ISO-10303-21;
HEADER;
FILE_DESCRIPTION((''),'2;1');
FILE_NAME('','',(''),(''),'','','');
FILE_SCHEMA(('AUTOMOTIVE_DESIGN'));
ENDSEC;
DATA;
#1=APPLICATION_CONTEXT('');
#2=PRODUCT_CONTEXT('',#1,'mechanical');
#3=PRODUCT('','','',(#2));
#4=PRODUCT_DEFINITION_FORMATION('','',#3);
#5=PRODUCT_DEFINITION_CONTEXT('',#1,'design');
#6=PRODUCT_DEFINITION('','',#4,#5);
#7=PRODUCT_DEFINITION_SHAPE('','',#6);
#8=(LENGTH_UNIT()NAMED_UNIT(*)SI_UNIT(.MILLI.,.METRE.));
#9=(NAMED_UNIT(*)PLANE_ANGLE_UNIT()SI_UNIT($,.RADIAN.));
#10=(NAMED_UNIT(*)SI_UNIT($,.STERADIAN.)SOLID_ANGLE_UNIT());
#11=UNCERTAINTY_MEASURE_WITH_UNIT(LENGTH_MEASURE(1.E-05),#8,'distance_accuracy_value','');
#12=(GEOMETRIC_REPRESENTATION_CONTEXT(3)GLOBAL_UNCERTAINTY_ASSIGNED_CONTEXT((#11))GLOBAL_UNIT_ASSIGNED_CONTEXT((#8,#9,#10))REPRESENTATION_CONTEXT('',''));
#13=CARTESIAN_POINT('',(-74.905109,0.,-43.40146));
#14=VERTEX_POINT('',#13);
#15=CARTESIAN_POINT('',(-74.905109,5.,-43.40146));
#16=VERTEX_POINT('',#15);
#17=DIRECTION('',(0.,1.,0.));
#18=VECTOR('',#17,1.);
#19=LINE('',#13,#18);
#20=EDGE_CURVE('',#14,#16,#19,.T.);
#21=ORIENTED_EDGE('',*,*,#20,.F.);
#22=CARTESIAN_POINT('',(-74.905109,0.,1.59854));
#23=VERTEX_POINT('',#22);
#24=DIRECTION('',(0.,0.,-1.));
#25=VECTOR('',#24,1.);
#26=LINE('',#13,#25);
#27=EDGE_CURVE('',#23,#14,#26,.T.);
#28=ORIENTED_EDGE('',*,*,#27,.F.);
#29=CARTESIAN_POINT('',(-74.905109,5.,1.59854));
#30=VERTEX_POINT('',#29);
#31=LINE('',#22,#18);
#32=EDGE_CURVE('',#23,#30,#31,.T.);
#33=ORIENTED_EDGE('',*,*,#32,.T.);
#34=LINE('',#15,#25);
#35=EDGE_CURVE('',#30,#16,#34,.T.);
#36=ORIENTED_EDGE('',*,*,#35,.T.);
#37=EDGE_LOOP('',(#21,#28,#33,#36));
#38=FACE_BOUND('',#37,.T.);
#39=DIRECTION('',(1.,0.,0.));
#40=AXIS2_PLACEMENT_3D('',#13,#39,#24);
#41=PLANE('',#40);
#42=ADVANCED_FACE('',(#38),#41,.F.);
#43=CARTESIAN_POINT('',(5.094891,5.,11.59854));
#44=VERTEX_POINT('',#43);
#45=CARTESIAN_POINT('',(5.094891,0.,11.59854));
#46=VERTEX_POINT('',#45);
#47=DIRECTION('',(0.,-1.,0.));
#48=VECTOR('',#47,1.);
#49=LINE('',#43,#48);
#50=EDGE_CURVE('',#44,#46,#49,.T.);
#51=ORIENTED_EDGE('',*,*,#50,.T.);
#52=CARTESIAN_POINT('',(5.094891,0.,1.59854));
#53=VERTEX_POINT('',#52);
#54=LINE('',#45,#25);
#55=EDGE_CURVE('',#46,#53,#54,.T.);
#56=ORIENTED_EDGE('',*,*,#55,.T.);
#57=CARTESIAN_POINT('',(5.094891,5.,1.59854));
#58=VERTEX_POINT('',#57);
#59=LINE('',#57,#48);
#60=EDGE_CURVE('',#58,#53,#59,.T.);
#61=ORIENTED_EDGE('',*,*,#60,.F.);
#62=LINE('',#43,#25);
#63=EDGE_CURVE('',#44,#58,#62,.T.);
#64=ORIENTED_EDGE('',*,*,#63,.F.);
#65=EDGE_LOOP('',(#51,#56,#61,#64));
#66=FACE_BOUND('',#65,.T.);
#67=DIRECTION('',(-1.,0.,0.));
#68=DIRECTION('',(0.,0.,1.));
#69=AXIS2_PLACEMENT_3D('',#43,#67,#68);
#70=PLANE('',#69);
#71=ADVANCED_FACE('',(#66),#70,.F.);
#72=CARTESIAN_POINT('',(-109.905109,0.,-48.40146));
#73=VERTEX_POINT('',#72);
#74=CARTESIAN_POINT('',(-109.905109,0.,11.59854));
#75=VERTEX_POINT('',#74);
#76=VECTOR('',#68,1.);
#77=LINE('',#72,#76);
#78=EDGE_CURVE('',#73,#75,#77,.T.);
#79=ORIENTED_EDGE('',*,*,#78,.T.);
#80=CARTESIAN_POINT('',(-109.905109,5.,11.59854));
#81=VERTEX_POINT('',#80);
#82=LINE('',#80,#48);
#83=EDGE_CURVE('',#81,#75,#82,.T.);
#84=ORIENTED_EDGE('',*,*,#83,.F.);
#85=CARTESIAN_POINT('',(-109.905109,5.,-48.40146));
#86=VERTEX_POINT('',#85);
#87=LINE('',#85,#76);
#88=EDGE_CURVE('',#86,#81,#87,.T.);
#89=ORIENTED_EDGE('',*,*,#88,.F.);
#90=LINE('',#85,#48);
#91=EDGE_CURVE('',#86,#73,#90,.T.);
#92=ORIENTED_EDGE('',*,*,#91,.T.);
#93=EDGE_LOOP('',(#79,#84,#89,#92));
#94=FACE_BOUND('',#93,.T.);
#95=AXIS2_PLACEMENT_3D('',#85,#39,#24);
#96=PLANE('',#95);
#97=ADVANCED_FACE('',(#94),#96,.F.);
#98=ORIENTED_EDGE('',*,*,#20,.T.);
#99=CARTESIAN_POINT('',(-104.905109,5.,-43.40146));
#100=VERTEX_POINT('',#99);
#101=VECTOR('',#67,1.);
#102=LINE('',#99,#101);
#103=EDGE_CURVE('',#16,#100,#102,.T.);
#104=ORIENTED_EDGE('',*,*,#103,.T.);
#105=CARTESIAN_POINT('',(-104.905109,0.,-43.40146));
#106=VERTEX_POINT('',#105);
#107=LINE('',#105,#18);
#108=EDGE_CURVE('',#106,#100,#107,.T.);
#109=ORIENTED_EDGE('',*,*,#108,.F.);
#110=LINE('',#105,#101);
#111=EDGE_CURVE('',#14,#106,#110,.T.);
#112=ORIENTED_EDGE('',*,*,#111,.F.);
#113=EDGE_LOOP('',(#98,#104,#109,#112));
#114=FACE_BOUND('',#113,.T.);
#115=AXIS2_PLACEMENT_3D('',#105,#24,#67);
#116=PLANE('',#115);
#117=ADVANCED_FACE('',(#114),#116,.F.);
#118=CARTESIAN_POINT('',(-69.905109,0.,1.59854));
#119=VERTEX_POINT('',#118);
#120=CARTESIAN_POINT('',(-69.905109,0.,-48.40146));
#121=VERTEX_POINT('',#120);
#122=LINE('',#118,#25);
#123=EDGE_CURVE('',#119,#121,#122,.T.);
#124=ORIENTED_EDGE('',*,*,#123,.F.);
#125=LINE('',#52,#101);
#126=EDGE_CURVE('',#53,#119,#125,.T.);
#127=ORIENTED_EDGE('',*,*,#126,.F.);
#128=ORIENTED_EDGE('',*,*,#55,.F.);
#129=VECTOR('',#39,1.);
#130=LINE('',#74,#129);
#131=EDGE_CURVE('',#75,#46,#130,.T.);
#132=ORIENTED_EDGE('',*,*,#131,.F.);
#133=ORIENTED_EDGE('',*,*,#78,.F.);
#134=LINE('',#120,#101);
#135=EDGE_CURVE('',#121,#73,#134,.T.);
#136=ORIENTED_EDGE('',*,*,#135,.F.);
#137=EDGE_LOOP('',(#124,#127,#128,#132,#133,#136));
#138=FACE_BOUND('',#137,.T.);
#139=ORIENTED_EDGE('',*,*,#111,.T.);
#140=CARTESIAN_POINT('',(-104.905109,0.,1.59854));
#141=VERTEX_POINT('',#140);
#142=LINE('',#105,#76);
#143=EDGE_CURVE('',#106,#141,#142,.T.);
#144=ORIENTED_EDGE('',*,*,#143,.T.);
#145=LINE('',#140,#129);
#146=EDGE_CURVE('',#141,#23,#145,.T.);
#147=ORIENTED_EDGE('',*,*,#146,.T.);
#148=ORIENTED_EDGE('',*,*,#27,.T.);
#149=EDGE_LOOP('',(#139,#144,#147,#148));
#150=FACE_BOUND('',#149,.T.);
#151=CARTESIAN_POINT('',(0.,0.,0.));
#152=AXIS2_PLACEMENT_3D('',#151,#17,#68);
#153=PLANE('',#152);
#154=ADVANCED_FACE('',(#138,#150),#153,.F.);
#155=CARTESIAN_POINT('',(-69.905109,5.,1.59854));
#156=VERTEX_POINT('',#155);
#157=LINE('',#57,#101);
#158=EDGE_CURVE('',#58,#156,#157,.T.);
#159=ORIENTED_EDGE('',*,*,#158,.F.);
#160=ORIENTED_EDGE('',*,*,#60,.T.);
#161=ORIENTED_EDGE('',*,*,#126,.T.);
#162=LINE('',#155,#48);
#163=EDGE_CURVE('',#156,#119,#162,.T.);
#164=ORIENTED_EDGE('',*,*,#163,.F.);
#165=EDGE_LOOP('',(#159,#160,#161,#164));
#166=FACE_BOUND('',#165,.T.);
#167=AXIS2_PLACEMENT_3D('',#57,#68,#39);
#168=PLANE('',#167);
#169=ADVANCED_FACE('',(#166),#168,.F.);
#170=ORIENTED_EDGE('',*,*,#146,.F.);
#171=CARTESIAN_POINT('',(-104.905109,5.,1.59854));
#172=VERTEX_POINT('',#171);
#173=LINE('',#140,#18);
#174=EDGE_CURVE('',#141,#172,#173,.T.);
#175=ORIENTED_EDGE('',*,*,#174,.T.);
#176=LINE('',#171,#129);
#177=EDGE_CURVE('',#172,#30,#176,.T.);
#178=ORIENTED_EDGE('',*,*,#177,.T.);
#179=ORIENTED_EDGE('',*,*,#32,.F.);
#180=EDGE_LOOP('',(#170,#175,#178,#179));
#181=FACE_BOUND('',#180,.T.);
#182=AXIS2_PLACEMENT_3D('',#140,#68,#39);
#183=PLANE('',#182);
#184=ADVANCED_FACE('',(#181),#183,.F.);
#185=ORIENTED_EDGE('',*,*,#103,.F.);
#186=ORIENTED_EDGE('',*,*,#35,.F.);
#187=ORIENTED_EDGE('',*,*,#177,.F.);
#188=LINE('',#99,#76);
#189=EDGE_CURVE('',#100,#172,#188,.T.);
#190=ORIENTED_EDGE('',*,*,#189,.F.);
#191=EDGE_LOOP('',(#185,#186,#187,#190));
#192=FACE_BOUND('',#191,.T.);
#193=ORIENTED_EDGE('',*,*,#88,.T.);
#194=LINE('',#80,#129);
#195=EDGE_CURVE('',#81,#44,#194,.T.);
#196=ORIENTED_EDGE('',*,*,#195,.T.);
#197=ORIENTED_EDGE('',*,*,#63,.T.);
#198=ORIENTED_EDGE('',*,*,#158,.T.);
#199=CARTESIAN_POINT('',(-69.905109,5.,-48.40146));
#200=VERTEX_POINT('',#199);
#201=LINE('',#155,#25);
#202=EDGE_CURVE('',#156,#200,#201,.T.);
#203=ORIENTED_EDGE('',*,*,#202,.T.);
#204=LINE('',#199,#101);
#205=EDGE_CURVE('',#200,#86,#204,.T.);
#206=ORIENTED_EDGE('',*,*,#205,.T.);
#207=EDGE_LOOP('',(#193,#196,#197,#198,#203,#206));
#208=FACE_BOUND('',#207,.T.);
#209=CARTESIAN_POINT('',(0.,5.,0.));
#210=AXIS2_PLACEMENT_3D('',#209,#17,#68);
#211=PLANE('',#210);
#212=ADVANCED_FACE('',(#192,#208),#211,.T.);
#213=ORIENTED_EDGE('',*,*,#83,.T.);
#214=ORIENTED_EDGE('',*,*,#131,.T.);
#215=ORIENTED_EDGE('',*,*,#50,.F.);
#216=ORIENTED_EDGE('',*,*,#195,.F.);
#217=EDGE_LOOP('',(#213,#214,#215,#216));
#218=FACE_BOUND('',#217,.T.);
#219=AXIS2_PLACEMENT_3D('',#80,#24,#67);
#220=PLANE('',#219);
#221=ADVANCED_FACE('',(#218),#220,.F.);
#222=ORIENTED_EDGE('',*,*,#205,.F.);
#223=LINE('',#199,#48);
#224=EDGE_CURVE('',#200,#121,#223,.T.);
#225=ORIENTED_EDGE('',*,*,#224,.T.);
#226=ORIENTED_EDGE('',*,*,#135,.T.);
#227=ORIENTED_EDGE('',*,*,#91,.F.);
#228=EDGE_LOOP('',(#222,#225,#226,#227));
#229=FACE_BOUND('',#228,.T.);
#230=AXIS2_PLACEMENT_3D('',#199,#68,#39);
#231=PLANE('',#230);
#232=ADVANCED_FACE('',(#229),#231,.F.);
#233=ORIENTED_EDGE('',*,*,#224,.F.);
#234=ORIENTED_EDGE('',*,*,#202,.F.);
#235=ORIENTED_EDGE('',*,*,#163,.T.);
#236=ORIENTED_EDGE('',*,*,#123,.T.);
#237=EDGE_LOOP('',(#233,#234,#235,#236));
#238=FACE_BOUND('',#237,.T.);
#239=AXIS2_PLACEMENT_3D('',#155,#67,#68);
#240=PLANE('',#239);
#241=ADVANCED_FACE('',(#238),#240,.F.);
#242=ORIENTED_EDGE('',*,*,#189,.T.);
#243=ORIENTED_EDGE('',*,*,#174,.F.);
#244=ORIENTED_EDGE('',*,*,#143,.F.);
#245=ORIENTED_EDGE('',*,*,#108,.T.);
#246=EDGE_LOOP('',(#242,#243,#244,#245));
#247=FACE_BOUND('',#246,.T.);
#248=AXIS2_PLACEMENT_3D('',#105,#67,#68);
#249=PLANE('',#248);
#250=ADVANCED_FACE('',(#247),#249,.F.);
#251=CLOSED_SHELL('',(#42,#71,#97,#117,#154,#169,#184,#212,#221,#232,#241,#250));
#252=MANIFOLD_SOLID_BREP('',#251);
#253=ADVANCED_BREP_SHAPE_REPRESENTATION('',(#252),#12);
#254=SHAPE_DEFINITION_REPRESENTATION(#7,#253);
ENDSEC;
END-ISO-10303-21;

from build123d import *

# Parameters (mm, degrees)
BOSS_EXTRU_1_DEPTH      = 5
ESQUISSE7_W             = 30
ESQUISSE7_H             = 45
ENL_V_MAT_EXTRU_2_DEPTH = 121.194984953


with BuildPart() as part:
    # Esquisse1 → Boss.-Extru.1 (new body)
    with BuildSketch(Plane(origin=(0, 0, 0), x_dir=(1, 0, 0), z_dir=(0, 1, 0))):
        Polygon((-109.905109489, 48.401459854), (-109.905109489, -11.598540146), (5.094890511, -11.598540146), (5.094890511, -1.598540146), (-69.905109489, -1.598540146), (-69.905109489, 48.401459854), align=None)
    extrude(amount=BOSS_EXTRU_1_DEPTH)

    # Esquisse7 → Enlèv. mat.-Extru.2 (cut, through all)
    with BuildSketch(Plane(origin=(0, 5, 0), x_dir=(1, 0, 0), z_dir=(0, 1, 0))):
        with Locations((-89.905109489, 20.901459854)):
            Rectangle(ESQUISSE7_W, ESQUISSE7_H)
    extrude(amount=-ENL_V_MAT_EXTRU_2_DEPTH, mode=Mode.SUBTRACT)


solid = part.part
